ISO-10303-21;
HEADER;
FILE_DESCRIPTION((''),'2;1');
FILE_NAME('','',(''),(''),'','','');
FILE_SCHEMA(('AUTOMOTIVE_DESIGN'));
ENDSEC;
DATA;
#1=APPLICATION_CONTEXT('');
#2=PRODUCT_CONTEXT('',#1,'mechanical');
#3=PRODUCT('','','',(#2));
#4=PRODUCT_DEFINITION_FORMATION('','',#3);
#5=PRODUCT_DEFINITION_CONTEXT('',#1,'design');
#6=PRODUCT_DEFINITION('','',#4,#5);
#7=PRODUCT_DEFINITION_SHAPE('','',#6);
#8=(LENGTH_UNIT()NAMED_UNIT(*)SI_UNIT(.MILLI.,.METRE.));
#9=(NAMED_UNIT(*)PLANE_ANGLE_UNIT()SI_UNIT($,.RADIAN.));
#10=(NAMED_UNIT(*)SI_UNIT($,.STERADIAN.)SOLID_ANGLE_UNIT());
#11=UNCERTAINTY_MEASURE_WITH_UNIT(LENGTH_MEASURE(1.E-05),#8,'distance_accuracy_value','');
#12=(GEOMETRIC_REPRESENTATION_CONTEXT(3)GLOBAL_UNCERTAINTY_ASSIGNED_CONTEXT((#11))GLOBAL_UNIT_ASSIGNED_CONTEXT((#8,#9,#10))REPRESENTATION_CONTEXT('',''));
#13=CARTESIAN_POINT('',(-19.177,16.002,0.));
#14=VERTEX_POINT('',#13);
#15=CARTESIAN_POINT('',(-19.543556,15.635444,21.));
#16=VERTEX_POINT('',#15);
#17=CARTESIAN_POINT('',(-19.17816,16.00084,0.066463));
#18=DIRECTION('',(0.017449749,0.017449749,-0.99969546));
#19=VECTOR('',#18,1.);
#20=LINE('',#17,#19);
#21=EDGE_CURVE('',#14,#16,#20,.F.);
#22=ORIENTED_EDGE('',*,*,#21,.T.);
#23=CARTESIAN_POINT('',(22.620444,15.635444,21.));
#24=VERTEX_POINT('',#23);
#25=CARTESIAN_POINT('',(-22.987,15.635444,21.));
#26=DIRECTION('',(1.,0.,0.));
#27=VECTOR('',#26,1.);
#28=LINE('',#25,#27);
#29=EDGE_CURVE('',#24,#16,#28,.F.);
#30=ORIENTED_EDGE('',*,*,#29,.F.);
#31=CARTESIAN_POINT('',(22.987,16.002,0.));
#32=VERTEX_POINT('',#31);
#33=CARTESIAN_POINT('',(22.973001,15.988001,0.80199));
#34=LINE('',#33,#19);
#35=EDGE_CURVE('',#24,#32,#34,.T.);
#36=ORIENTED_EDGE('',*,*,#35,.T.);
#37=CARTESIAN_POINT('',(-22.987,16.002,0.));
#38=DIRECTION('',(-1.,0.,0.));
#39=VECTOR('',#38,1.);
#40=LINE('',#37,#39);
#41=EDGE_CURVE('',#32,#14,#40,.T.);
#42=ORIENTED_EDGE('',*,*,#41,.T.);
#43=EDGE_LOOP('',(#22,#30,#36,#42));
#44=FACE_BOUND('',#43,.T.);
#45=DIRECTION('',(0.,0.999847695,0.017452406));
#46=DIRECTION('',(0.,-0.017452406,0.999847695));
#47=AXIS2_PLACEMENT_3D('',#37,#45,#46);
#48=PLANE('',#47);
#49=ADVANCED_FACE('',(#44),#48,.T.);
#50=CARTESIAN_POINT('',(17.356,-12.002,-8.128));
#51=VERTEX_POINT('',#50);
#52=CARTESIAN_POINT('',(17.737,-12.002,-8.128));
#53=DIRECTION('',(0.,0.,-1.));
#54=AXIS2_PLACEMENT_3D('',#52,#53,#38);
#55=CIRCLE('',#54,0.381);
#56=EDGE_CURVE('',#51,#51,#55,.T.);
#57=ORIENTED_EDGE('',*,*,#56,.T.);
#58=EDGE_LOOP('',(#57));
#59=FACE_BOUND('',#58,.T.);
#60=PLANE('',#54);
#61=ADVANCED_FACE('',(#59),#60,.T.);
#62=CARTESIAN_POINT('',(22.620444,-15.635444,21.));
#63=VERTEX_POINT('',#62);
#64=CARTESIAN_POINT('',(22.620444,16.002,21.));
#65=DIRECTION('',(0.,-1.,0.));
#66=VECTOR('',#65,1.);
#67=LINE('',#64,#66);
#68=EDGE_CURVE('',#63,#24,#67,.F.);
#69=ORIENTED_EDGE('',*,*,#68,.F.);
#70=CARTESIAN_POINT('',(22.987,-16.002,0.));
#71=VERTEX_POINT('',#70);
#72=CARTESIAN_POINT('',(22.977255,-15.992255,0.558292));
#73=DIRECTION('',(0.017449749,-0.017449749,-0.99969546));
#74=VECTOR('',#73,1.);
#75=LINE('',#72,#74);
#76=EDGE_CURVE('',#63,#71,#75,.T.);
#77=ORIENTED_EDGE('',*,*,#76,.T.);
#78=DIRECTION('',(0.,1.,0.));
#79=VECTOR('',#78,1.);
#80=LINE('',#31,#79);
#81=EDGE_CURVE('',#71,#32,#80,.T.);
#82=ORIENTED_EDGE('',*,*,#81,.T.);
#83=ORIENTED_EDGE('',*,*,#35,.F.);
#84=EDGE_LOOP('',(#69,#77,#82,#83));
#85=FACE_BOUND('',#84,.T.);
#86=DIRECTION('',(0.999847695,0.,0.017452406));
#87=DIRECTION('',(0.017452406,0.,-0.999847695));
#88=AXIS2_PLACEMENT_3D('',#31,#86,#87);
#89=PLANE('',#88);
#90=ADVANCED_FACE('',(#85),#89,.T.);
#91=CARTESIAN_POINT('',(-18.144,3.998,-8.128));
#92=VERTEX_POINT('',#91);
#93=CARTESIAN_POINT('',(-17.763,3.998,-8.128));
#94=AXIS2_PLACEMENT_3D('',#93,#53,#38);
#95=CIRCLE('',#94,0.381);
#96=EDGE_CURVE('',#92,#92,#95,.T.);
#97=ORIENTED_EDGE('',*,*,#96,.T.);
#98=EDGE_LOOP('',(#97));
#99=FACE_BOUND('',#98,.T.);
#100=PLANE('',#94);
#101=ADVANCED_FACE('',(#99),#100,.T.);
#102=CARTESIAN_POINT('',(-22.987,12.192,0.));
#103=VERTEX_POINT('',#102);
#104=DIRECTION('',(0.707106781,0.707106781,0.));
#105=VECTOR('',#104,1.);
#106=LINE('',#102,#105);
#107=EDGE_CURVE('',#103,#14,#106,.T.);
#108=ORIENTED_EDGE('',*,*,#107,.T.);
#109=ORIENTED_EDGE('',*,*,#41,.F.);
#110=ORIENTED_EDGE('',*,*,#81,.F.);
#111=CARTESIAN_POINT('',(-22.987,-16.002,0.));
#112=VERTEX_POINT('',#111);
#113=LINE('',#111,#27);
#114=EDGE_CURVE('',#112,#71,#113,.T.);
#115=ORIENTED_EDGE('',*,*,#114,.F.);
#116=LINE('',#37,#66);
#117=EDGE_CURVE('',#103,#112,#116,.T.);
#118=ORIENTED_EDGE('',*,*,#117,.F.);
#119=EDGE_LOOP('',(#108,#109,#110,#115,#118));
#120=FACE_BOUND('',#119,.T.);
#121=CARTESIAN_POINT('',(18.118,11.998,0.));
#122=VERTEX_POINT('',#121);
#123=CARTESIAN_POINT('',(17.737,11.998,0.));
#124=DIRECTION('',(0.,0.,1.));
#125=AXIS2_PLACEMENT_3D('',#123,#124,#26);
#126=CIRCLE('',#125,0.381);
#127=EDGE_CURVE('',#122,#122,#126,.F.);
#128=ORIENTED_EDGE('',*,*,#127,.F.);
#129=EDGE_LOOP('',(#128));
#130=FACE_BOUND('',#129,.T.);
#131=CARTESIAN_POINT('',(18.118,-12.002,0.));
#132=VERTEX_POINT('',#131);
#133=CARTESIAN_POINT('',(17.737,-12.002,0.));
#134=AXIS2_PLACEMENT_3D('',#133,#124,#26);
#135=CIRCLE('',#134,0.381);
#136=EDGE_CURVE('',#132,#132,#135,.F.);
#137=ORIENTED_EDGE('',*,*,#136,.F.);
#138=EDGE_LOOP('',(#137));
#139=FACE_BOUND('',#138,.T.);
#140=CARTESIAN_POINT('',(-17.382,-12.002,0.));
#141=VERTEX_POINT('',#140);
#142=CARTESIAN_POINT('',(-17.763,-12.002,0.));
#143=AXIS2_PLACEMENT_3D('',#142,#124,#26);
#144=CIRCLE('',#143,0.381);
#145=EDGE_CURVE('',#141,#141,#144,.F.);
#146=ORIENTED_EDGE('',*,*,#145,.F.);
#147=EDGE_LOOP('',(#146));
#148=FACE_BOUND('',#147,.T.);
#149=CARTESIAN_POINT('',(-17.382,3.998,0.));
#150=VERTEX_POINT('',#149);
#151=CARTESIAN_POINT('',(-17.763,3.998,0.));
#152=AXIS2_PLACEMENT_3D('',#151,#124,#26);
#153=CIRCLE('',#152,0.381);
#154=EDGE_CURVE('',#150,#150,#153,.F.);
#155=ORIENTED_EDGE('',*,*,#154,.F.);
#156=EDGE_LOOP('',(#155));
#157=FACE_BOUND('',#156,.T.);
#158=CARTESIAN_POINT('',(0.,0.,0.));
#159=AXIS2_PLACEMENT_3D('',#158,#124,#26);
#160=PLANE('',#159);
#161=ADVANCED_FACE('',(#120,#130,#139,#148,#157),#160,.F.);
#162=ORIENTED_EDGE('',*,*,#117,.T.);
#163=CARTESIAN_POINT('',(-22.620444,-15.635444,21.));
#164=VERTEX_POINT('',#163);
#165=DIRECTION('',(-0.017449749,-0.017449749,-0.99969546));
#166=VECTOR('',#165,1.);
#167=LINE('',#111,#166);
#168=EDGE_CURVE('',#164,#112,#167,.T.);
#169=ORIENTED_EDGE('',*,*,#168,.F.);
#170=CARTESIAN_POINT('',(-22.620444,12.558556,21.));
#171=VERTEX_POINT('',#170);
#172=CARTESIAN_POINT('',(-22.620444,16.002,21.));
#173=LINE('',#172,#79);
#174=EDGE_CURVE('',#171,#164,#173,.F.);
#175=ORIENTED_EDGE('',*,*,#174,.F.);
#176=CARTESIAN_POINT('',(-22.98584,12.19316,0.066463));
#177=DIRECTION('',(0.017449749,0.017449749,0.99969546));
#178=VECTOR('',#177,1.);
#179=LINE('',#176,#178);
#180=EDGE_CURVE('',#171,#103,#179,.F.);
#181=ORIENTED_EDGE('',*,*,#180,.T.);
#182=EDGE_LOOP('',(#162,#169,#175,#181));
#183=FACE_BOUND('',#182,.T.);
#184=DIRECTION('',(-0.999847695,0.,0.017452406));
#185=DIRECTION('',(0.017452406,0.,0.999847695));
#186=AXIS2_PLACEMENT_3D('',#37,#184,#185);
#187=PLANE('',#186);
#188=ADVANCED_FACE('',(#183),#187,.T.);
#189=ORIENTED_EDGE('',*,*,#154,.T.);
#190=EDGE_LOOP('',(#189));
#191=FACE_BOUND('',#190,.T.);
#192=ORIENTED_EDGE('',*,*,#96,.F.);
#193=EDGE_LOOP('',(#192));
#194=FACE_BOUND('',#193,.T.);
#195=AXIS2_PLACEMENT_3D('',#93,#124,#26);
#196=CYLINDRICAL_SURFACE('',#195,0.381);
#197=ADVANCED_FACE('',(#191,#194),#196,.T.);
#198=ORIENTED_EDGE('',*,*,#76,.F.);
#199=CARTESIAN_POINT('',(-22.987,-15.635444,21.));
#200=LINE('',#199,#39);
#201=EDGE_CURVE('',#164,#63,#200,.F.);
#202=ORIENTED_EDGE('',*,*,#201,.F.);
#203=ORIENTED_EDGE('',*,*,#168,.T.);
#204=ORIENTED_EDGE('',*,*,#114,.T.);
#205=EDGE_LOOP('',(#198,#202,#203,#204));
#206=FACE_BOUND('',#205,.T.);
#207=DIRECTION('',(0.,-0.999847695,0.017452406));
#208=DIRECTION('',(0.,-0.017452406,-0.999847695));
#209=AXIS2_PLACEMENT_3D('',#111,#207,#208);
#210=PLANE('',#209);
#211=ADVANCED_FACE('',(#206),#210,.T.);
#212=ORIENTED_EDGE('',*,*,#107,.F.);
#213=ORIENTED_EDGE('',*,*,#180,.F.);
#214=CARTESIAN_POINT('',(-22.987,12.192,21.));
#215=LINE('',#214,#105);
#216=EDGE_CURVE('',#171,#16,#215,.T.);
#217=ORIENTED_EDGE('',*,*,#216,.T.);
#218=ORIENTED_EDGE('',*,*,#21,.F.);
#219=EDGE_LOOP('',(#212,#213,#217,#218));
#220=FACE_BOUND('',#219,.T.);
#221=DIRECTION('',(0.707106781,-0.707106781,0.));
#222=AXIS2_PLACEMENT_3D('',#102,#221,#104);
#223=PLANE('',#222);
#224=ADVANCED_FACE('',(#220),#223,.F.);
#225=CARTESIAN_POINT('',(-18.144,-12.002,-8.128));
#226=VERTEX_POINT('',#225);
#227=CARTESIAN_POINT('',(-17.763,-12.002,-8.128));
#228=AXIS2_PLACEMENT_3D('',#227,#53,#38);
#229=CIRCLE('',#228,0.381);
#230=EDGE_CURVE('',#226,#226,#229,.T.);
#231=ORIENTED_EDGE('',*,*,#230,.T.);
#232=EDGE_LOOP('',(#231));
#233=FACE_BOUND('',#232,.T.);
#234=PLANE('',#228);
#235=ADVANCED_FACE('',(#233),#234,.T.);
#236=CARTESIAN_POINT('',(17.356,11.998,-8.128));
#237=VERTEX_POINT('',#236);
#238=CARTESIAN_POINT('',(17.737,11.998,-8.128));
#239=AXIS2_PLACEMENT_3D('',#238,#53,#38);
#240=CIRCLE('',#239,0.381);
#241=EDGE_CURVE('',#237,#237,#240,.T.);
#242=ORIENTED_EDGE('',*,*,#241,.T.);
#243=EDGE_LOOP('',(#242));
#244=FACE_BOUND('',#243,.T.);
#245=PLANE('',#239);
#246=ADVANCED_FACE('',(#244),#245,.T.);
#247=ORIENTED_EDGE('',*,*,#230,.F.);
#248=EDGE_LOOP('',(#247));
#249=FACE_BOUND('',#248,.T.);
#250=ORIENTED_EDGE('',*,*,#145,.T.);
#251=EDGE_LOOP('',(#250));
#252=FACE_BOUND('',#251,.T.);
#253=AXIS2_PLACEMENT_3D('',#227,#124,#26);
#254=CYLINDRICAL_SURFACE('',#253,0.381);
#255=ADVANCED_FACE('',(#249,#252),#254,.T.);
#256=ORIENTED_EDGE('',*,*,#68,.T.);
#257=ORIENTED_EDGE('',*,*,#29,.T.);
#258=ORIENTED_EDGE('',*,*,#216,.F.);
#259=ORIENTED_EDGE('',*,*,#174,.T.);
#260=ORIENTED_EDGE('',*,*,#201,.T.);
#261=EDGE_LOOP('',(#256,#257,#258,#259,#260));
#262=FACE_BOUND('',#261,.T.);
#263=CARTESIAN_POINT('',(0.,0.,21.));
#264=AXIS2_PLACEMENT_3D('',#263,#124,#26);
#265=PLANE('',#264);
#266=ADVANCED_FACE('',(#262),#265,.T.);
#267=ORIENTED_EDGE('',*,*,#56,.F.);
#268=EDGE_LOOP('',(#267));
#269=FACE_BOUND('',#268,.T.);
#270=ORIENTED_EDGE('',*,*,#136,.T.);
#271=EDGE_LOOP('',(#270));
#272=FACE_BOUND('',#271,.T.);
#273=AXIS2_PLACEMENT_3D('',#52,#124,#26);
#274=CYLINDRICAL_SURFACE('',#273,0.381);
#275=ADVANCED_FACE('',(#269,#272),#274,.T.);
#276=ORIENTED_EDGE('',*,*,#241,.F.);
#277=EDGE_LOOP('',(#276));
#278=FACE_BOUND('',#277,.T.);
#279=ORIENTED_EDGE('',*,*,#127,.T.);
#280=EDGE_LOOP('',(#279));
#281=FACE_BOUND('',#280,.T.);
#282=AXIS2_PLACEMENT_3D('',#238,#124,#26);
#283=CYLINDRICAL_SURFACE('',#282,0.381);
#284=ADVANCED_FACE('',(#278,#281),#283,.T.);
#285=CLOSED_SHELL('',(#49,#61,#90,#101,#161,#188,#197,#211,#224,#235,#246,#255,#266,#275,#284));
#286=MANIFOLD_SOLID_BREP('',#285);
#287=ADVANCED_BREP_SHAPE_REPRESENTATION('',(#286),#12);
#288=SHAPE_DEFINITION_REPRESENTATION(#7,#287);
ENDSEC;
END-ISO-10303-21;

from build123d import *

# Parameters (mm, degrees)
SKETCH2_W           = 45.974
SKETCH2_H           = 32.004
BOSS_EXTRUDE1_DEPTH = 21
BOSS_EXTRUDE1_TAPER = 1
CUT_EXTRUDE1_DEPTH  = 36.006658981
SKETCH3_R           = 0.381
BOSS_EXTRUDE2_DEPTH = 8.128


with BuildPart() as part:
    # Sketch2 → Boss-Extrude1 (new body)
    with BuildSketch(Plane.XY):
        Rectangle(SKETCH2_W, SKETCH2_H)
    extrude(amount=BOSS_EXTRUDE1_DEPTH, taper=BOSS_EXTRUDE1_TAPER)

    # Sketch4 → Cut-Extrude1 (cut, through all)
    with BuildSketch(Plane.XY.offset(21)):
        Polygon((-19.177, 16.002), (-22.987, 16.002), (-22.987, 12.192), align=None)
    extrude(amount=-CUT_EXTRUDE1_DEPTH, mode=Mode.SUBTRACT)

    # Sketch3 → Boss-Extrude2 (add)
    with BuildSketch(Plane(origin=(0, 0, 0), x_dir=(-1, 0, 0), z_dir=(0, 0, -1))):
        with Locations(Location((-17.737, 11.998, 0), (0, 0, 180))):
            Circle(SKETCH3_R)
        with Locations(Location((17.763, 3.998, 0), (0, 0, 180))):
            Circle(SKETCH3_R)
        with Locations(Location((17.763, -12.002, 0), (0, 0, 180))):
            Circle(SKETCH3_R)
        with Locations(Location((-17.737, -12.002, 0), (0, 0, 180))):
            Circle(SKETCH3_R)
    extrude(amount=BOSS_EXTRUDE2_DEPTH)


solid = part.part
